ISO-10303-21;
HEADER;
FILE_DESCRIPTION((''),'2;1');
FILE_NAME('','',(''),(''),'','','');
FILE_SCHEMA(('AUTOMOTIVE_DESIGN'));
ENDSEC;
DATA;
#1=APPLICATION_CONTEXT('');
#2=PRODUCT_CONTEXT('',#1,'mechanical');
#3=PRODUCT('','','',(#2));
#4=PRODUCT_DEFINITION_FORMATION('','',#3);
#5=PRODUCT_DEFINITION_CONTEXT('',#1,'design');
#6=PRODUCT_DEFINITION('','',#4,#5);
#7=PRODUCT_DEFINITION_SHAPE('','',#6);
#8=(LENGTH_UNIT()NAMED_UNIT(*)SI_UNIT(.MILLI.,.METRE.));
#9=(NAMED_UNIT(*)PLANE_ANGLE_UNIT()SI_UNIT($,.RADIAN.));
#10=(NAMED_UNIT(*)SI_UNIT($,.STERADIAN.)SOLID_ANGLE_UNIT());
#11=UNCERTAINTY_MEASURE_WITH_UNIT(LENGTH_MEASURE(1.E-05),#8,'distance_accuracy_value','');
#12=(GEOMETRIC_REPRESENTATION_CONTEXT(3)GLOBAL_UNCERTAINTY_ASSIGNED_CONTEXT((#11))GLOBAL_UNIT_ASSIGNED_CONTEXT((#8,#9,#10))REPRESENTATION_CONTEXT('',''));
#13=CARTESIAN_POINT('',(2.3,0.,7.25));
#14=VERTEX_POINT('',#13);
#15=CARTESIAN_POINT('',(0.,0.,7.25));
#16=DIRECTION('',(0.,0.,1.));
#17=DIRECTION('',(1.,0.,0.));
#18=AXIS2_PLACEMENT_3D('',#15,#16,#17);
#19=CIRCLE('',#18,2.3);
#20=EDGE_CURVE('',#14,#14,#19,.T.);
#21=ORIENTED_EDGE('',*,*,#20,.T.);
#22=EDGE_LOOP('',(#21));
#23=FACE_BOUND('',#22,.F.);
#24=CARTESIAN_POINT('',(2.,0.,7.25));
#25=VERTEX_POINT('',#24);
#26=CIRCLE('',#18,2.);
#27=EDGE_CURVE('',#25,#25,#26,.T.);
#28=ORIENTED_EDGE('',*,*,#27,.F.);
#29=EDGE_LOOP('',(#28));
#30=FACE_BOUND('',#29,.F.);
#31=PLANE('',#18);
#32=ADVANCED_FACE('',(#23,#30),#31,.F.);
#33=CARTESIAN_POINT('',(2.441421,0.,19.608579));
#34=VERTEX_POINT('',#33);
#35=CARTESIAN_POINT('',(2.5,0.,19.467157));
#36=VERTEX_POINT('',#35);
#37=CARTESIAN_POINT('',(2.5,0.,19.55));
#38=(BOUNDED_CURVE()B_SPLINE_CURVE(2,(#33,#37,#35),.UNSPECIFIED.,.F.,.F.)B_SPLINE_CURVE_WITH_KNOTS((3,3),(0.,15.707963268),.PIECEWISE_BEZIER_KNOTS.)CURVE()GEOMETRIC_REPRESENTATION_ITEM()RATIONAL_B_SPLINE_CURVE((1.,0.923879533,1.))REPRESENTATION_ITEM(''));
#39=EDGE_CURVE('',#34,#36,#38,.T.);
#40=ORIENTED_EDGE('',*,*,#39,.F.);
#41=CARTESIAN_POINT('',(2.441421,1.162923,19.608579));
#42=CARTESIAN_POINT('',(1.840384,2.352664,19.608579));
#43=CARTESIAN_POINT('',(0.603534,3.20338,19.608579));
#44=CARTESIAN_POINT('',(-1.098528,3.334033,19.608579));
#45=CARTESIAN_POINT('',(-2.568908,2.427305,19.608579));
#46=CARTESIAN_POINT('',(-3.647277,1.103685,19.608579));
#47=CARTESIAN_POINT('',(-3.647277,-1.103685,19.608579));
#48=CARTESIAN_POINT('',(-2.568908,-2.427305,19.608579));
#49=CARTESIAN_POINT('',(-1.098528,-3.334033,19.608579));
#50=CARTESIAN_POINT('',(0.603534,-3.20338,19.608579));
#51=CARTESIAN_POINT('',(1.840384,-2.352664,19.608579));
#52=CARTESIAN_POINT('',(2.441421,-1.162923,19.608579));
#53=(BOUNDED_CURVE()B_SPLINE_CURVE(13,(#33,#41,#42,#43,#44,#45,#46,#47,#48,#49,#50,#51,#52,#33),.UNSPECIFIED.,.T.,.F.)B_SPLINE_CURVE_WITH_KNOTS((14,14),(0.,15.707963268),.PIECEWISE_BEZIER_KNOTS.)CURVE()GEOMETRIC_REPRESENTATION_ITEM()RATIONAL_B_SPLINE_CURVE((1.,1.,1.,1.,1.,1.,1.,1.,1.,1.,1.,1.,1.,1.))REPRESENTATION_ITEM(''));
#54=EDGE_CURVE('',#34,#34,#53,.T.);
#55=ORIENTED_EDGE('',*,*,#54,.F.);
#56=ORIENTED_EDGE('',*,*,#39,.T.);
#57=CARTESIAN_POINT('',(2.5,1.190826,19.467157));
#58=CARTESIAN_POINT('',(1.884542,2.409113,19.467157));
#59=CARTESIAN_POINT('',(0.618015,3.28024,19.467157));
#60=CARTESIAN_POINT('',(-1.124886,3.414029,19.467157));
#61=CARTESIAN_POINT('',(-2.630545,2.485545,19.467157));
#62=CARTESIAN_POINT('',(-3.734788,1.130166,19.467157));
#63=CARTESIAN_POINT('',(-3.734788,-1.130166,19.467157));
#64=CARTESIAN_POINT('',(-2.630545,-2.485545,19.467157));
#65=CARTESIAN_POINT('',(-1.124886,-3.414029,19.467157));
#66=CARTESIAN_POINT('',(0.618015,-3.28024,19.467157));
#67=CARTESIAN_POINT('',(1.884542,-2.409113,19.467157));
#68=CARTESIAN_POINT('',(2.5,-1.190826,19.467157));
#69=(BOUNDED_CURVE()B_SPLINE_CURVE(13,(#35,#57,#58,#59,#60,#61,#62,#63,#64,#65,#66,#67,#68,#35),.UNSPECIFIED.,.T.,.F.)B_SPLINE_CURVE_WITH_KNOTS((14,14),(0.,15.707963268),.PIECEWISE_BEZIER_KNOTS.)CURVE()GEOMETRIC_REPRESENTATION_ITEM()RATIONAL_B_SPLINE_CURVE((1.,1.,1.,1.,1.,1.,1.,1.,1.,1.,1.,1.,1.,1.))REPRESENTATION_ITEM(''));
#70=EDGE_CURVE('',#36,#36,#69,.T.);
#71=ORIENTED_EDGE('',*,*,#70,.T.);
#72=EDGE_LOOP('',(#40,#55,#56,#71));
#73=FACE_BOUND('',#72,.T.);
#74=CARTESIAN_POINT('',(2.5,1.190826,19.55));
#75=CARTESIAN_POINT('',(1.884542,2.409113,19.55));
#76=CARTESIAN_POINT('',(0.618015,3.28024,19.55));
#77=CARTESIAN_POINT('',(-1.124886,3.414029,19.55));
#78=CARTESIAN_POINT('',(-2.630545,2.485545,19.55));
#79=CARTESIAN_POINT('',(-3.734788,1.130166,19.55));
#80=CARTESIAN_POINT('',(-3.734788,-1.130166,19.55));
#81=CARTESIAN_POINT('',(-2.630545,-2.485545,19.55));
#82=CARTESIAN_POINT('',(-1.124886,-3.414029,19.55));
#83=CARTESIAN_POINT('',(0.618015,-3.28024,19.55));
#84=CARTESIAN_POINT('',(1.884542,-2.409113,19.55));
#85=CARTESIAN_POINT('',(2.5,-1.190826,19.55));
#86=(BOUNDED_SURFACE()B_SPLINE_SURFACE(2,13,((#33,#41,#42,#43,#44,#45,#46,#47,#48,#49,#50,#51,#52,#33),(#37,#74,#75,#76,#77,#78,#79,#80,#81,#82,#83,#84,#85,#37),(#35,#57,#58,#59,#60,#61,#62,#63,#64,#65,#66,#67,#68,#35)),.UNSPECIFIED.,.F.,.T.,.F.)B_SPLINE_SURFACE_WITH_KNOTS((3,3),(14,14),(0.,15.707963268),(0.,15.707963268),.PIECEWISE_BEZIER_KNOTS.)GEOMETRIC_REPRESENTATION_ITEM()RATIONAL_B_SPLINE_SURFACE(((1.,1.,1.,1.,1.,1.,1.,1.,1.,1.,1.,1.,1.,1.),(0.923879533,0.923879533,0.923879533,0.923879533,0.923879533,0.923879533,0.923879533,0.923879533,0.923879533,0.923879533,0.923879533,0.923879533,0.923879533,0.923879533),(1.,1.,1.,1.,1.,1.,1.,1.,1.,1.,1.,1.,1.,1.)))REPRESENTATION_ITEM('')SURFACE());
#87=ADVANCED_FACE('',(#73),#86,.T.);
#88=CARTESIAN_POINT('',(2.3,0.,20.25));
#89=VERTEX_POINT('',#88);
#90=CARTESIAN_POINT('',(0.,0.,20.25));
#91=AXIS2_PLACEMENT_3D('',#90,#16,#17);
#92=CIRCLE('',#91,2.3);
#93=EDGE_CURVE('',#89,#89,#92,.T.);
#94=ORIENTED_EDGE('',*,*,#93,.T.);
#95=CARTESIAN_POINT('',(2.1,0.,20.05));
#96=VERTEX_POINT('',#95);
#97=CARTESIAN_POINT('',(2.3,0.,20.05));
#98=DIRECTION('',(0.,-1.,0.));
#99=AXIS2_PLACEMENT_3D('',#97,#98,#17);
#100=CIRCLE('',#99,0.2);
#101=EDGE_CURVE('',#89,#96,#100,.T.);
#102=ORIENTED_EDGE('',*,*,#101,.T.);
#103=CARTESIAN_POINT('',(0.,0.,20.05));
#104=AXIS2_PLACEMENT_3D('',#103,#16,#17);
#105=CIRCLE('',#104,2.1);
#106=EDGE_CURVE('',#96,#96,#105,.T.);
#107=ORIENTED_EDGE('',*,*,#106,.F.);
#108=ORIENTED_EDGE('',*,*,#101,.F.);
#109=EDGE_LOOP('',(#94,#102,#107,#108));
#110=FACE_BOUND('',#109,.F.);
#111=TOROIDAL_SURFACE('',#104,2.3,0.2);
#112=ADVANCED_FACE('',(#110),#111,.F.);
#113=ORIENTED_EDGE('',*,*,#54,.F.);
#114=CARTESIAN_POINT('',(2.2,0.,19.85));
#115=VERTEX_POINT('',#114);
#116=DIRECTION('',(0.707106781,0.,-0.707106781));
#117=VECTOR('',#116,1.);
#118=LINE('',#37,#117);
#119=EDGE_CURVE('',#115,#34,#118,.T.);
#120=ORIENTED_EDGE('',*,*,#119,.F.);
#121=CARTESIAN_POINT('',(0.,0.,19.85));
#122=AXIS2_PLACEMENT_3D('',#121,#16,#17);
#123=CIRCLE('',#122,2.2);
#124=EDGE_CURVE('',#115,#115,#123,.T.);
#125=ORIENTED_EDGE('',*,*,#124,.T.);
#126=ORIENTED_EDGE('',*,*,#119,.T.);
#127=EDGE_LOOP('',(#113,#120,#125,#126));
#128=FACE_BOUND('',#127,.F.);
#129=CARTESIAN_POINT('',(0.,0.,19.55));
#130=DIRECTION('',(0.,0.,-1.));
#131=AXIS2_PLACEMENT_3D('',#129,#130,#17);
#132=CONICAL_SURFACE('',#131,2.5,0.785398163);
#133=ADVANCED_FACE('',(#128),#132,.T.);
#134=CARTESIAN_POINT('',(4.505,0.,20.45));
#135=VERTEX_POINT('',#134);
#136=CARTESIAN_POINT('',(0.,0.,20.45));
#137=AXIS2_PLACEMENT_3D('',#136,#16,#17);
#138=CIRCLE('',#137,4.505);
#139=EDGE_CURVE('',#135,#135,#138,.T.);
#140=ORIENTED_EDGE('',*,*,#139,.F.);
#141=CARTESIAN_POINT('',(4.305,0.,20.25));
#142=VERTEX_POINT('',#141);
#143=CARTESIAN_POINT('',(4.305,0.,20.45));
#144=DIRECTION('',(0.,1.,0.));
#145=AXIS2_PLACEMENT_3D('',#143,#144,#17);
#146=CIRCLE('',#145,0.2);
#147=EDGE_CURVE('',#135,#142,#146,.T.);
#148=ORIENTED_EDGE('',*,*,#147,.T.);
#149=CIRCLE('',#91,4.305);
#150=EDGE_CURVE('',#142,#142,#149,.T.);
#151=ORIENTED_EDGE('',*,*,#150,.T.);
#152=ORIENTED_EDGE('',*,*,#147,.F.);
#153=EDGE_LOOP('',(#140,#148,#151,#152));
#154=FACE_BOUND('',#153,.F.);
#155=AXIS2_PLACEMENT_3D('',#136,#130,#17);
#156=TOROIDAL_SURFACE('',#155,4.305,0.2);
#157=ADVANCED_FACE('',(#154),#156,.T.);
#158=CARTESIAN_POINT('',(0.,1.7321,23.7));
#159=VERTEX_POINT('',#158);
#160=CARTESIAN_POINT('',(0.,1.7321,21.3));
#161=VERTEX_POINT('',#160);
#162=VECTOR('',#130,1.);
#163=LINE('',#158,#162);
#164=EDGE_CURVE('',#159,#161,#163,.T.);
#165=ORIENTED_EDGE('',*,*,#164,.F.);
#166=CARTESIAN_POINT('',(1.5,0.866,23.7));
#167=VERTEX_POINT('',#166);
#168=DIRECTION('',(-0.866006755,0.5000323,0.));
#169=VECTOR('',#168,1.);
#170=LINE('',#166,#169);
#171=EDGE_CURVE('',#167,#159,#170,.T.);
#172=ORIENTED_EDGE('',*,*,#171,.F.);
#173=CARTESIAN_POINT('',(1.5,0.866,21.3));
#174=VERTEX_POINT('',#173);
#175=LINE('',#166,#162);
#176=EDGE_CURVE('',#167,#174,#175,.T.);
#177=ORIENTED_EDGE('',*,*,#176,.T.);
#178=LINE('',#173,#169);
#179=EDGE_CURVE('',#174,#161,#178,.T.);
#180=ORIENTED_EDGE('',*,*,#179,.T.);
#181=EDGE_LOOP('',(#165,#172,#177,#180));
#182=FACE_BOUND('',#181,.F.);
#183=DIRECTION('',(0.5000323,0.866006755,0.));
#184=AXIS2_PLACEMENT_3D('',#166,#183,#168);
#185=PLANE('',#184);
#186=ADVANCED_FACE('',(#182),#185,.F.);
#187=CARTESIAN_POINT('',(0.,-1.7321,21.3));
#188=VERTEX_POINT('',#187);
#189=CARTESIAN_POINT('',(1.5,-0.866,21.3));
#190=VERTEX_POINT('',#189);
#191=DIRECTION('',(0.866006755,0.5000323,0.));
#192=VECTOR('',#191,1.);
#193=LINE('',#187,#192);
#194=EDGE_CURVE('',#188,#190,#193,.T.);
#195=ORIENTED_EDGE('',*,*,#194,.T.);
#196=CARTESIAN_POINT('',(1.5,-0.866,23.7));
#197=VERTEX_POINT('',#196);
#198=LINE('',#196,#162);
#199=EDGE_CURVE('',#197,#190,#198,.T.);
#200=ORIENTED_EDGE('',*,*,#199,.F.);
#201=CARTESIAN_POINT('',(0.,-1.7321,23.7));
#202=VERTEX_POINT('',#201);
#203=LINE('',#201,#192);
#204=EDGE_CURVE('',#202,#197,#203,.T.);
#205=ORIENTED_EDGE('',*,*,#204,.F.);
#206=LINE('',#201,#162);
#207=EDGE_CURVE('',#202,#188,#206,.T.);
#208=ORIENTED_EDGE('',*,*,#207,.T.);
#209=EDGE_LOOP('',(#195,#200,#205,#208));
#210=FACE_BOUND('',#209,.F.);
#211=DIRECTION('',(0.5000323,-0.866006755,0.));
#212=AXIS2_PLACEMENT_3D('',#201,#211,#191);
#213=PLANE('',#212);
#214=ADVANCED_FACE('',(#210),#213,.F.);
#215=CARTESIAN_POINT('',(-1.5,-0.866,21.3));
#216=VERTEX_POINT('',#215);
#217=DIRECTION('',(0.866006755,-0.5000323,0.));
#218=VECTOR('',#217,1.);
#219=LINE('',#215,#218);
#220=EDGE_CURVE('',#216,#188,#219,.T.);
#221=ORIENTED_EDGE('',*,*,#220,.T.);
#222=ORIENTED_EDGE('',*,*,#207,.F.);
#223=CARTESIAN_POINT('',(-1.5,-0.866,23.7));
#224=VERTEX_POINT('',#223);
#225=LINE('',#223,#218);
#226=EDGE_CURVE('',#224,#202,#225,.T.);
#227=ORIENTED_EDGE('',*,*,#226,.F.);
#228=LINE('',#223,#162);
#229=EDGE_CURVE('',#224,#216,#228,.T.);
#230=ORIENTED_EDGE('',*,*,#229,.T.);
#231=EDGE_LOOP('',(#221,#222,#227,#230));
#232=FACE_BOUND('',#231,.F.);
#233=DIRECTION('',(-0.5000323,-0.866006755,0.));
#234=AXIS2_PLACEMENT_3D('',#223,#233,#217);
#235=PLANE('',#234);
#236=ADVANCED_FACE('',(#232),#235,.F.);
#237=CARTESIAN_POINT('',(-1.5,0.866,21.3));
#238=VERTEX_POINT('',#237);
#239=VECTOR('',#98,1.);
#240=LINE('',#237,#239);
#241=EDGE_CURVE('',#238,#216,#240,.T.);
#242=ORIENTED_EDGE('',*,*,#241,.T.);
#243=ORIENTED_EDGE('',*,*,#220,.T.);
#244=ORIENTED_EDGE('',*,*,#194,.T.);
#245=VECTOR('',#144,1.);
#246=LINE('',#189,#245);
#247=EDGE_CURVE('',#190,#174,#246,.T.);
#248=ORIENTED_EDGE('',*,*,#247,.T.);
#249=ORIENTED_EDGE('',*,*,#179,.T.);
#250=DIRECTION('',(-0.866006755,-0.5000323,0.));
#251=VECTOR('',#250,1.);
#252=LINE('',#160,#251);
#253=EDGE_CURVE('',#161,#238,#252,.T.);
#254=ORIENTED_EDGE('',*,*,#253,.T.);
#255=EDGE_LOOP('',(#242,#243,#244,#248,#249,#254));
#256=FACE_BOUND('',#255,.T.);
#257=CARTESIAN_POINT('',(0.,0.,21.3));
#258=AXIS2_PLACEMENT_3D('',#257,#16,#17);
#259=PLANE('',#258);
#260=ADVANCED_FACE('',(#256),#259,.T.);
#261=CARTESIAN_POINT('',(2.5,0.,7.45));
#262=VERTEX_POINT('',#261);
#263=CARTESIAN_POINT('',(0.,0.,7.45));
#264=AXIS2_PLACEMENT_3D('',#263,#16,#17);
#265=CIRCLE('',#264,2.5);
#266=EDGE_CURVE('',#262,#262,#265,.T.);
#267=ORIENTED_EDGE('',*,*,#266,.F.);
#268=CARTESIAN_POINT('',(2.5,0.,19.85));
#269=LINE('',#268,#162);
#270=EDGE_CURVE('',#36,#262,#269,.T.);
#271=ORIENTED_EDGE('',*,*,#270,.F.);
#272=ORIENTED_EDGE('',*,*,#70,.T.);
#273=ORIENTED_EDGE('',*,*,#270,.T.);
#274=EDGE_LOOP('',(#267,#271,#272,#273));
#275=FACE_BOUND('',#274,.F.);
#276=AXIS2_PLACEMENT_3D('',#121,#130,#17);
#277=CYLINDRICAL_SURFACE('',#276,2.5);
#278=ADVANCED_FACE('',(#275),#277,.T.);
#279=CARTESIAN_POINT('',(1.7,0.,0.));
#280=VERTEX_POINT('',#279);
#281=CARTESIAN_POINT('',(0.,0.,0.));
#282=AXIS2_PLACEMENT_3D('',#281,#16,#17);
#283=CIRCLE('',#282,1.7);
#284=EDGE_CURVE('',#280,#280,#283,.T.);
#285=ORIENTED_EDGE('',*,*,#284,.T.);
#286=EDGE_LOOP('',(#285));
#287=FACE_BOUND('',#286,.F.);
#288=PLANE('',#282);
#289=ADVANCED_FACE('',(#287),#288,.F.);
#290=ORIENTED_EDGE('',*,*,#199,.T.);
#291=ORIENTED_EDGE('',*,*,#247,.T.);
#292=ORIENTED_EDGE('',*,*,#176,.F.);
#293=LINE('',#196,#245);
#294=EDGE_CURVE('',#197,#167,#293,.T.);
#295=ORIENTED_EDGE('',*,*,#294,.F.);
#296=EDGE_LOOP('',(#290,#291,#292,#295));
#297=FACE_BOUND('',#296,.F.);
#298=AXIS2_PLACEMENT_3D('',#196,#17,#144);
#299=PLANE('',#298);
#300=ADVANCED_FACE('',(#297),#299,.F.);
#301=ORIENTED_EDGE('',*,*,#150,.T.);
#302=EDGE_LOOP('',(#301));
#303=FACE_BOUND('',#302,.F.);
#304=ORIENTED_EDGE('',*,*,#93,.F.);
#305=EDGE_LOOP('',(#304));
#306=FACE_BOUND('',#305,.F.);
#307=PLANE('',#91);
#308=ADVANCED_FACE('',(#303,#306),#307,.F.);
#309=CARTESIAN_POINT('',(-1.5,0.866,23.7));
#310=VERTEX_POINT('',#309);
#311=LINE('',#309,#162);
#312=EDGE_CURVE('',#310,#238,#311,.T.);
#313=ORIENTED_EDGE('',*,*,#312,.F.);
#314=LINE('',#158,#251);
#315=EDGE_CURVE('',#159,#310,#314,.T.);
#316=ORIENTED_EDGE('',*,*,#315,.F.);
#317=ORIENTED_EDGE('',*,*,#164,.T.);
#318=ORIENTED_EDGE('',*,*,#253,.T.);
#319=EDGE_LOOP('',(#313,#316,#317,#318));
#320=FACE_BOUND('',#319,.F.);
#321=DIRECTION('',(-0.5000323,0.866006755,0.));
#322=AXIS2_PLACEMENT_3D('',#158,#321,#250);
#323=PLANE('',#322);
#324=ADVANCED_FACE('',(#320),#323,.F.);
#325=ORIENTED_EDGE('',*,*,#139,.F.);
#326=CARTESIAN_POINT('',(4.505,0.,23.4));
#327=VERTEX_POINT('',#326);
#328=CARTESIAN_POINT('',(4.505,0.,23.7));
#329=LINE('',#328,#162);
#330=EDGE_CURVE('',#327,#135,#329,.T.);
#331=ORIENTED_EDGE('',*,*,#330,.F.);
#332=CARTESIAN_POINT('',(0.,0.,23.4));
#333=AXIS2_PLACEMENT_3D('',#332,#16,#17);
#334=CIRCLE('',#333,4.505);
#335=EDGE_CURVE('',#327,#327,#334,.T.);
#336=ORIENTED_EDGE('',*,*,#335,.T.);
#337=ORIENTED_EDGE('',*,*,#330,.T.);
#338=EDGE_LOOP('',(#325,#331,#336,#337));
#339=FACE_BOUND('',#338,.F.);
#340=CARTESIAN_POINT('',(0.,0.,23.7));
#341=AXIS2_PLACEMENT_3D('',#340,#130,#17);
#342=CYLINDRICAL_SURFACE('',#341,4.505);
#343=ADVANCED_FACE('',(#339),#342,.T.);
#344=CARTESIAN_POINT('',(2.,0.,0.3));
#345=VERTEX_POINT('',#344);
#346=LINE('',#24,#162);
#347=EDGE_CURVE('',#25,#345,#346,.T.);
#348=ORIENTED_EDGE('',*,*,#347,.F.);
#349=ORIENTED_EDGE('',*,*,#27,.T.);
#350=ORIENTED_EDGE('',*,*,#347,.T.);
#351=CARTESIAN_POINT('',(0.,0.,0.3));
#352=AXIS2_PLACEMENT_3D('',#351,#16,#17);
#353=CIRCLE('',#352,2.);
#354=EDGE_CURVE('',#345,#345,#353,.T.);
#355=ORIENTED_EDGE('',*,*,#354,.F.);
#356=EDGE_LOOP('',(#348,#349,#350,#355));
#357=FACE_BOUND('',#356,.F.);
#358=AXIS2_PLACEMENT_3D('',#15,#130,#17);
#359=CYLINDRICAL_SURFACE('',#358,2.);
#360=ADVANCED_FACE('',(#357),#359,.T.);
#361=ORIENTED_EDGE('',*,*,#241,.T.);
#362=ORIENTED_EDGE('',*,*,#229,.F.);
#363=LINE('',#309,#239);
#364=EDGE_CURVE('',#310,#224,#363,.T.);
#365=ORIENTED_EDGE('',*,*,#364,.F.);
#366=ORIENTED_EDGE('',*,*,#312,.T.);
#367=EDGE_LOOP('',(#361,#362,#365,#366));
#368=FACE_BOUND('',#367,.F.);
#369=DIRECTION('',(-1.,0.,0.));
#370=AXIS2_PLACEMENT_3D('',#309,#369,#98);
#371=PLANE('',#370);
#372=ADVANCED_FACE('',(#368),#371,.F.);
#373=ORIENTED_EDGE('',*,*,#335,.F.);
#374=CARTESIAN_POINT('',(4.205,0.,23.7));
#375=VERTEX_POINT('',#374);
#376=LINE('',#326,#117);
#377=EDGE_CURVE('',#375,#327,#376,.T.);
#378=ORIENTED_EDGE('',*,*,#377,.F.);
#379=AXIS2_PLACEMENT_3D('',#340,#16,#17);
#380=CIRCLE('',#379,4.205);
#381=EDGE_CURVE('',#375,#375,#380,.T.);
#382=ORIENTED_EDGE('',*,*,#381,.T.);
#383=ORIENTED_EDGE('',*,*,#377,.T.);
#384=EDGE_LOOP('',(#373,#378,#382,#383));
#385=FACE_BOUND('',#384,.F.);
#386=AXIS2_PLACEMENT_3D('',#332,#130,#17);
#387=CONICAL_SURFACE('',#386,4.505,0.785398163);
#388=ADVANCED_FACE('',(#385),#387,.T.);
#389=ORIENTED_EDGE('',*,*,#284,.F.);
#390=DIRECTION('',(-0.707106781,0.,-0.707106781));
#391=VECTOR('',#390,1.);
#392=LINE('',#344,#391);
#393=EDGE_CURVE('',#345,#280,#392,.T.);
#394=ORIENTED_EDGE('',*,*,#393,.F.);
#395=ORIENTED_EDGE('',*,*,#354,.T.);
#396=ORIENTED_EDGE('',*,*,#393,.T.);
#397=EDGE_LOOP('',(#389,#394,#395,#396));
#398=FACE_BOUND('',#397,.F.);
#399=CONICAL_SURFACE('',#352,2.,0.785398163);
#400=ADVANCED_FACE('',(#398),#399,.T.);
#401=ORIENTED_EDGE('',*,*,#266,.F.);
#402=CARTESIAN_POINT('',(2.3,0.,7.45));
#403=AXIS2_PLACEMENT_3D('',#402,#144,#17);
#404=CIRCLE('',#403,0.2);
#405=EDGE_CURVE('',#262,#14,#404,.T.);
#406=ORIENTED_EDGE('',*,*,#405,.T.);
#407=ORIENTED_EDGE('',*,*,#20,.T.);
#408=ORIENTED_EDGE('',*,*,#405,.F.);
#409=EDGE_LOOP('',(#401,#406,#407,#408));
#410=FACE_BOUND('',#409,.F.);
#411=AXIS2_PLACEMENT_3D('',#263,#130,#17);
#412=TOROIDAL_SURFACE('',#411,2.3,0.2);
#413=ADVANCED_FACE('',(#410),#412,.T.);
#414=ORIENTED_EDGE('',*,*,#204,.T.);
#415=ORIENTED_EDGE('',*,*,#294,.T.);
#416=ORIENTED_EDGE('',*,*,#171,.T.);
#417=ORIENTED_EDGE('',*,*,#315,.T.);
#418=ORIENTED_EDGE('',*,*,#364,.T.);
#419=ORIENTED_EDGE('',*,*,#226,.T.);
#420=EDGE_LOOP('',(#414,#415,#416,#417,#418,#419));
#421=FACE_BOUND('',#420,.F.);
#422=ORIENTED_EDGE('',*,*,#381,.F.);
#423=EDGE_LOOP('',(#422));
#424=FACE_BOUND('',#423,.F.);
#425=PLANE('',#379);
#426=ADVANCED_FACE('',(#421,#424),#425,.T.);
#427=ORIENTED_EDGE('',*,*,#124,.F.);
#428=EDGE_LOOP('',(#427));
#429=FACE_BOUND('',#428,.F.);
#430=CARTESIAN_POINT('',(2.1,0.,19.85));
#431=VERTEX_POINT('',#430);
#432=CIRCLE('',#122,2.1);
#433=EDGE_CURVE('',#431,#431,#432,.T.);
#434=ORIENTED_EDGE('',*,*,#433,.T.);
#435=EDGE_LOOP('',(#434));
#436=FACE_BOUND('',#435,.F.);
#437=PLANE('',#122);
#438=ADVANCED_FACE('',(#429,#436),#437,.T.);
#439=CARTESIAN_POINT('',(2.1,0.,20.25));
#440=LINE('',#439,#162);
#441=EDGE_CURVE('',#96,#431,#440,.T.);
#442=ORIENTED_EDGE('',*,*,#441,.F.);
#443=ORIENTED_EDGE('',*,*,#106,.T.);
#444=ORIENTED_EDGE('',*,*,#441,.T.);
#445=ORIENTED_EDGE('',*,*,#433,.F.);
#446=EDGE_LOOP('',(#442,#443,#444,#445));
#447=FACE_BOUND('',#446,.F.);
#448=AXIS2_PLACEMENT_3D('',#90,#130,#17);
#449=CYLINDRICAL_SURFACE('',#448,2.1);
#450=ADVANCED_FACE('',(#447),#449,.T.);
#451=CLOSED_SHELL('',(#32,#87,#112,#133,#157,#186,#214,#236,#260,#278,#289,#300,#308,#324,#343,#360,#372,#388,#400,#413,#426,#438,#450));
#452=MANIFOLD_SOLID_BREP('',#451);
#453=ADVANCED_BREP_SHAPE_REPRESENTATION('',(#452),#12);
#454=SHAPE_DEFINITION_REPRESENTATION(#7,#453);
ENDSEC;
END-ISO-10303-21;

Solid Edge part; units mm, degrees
sketch "Sketch1" plane through (0, 0, 0) normal (0, -1, 0) x (1, 0, 0)
  line L0 (0, 23.7) -> (4.505, 23.7)
  line L1 (4.505, 23.7) -> (4.505, 20.25)
  line L2 (4.505, 20.25) -> (2.1, 20.25)
  line L3 (2.1, 20.25) -> (2.1, 19.85)
  line L4 (2.1, 19.85) -> (2.5, 19.85)
  line L5 (2.5, 19.85) -> (2.5, 7.25)
  line L6 (2.5, 7.25) -> (2, 7.25)
  line L7 (2, 7.25) -> (2, 0)
  line L8 (2, 0) -> (0, 0)
  dimension "D1" = 4.505
  dimension "D2" = 3.45
  dimension "D3" = 13
  dimension "D4" = 0.4
  dimension "D5" = 7.25
  dimension "D6" = 2.5
  dimension "D7" = 2
revolve "RevolvedProtrusion1" add sketch "Sketch1" angle 360 about axis through (0, 0, 0) along (0, 0, 1)
chamfer "Chamfer1" distance 0.3 angle 45 3 edges at (-2.5, 0, 19.85) (-4.505, 0, 23.7) (-2, 0, 0)
fillet "Round_1" radius 0.2 4 edges at (-4.505, 0, 20.25) (-2.1, 0, 20.25) (-2.5, 0, 7.25) (-2.5, 0, 19.55)
sketch "Sketch2" plane through (0, 0, 23.7) normal (0, 0, 1) x (1, 0, 0)
  line L0 (1.5, 0.866) -> (0, 1.7321)
  line L1 (0, 1.7321) -> (-1.5, 0.866)
  line L2 (-1.5, 0.866) -> (-1.5, -0.866)
  line L3 (-1.5, -0.866) -> (0, -1.7321)
  line L4 (0, -1.7321) -> (1.5, -0.866)
  line L5 (1.5, -0.866) -> (1.5, 0.866)
  dimension "D1" = 3
extrude "ExtrudedCutout_1" cut sketch "Sketch2" against normal blind 2.4
properties material "Stainless Steel, 304"
